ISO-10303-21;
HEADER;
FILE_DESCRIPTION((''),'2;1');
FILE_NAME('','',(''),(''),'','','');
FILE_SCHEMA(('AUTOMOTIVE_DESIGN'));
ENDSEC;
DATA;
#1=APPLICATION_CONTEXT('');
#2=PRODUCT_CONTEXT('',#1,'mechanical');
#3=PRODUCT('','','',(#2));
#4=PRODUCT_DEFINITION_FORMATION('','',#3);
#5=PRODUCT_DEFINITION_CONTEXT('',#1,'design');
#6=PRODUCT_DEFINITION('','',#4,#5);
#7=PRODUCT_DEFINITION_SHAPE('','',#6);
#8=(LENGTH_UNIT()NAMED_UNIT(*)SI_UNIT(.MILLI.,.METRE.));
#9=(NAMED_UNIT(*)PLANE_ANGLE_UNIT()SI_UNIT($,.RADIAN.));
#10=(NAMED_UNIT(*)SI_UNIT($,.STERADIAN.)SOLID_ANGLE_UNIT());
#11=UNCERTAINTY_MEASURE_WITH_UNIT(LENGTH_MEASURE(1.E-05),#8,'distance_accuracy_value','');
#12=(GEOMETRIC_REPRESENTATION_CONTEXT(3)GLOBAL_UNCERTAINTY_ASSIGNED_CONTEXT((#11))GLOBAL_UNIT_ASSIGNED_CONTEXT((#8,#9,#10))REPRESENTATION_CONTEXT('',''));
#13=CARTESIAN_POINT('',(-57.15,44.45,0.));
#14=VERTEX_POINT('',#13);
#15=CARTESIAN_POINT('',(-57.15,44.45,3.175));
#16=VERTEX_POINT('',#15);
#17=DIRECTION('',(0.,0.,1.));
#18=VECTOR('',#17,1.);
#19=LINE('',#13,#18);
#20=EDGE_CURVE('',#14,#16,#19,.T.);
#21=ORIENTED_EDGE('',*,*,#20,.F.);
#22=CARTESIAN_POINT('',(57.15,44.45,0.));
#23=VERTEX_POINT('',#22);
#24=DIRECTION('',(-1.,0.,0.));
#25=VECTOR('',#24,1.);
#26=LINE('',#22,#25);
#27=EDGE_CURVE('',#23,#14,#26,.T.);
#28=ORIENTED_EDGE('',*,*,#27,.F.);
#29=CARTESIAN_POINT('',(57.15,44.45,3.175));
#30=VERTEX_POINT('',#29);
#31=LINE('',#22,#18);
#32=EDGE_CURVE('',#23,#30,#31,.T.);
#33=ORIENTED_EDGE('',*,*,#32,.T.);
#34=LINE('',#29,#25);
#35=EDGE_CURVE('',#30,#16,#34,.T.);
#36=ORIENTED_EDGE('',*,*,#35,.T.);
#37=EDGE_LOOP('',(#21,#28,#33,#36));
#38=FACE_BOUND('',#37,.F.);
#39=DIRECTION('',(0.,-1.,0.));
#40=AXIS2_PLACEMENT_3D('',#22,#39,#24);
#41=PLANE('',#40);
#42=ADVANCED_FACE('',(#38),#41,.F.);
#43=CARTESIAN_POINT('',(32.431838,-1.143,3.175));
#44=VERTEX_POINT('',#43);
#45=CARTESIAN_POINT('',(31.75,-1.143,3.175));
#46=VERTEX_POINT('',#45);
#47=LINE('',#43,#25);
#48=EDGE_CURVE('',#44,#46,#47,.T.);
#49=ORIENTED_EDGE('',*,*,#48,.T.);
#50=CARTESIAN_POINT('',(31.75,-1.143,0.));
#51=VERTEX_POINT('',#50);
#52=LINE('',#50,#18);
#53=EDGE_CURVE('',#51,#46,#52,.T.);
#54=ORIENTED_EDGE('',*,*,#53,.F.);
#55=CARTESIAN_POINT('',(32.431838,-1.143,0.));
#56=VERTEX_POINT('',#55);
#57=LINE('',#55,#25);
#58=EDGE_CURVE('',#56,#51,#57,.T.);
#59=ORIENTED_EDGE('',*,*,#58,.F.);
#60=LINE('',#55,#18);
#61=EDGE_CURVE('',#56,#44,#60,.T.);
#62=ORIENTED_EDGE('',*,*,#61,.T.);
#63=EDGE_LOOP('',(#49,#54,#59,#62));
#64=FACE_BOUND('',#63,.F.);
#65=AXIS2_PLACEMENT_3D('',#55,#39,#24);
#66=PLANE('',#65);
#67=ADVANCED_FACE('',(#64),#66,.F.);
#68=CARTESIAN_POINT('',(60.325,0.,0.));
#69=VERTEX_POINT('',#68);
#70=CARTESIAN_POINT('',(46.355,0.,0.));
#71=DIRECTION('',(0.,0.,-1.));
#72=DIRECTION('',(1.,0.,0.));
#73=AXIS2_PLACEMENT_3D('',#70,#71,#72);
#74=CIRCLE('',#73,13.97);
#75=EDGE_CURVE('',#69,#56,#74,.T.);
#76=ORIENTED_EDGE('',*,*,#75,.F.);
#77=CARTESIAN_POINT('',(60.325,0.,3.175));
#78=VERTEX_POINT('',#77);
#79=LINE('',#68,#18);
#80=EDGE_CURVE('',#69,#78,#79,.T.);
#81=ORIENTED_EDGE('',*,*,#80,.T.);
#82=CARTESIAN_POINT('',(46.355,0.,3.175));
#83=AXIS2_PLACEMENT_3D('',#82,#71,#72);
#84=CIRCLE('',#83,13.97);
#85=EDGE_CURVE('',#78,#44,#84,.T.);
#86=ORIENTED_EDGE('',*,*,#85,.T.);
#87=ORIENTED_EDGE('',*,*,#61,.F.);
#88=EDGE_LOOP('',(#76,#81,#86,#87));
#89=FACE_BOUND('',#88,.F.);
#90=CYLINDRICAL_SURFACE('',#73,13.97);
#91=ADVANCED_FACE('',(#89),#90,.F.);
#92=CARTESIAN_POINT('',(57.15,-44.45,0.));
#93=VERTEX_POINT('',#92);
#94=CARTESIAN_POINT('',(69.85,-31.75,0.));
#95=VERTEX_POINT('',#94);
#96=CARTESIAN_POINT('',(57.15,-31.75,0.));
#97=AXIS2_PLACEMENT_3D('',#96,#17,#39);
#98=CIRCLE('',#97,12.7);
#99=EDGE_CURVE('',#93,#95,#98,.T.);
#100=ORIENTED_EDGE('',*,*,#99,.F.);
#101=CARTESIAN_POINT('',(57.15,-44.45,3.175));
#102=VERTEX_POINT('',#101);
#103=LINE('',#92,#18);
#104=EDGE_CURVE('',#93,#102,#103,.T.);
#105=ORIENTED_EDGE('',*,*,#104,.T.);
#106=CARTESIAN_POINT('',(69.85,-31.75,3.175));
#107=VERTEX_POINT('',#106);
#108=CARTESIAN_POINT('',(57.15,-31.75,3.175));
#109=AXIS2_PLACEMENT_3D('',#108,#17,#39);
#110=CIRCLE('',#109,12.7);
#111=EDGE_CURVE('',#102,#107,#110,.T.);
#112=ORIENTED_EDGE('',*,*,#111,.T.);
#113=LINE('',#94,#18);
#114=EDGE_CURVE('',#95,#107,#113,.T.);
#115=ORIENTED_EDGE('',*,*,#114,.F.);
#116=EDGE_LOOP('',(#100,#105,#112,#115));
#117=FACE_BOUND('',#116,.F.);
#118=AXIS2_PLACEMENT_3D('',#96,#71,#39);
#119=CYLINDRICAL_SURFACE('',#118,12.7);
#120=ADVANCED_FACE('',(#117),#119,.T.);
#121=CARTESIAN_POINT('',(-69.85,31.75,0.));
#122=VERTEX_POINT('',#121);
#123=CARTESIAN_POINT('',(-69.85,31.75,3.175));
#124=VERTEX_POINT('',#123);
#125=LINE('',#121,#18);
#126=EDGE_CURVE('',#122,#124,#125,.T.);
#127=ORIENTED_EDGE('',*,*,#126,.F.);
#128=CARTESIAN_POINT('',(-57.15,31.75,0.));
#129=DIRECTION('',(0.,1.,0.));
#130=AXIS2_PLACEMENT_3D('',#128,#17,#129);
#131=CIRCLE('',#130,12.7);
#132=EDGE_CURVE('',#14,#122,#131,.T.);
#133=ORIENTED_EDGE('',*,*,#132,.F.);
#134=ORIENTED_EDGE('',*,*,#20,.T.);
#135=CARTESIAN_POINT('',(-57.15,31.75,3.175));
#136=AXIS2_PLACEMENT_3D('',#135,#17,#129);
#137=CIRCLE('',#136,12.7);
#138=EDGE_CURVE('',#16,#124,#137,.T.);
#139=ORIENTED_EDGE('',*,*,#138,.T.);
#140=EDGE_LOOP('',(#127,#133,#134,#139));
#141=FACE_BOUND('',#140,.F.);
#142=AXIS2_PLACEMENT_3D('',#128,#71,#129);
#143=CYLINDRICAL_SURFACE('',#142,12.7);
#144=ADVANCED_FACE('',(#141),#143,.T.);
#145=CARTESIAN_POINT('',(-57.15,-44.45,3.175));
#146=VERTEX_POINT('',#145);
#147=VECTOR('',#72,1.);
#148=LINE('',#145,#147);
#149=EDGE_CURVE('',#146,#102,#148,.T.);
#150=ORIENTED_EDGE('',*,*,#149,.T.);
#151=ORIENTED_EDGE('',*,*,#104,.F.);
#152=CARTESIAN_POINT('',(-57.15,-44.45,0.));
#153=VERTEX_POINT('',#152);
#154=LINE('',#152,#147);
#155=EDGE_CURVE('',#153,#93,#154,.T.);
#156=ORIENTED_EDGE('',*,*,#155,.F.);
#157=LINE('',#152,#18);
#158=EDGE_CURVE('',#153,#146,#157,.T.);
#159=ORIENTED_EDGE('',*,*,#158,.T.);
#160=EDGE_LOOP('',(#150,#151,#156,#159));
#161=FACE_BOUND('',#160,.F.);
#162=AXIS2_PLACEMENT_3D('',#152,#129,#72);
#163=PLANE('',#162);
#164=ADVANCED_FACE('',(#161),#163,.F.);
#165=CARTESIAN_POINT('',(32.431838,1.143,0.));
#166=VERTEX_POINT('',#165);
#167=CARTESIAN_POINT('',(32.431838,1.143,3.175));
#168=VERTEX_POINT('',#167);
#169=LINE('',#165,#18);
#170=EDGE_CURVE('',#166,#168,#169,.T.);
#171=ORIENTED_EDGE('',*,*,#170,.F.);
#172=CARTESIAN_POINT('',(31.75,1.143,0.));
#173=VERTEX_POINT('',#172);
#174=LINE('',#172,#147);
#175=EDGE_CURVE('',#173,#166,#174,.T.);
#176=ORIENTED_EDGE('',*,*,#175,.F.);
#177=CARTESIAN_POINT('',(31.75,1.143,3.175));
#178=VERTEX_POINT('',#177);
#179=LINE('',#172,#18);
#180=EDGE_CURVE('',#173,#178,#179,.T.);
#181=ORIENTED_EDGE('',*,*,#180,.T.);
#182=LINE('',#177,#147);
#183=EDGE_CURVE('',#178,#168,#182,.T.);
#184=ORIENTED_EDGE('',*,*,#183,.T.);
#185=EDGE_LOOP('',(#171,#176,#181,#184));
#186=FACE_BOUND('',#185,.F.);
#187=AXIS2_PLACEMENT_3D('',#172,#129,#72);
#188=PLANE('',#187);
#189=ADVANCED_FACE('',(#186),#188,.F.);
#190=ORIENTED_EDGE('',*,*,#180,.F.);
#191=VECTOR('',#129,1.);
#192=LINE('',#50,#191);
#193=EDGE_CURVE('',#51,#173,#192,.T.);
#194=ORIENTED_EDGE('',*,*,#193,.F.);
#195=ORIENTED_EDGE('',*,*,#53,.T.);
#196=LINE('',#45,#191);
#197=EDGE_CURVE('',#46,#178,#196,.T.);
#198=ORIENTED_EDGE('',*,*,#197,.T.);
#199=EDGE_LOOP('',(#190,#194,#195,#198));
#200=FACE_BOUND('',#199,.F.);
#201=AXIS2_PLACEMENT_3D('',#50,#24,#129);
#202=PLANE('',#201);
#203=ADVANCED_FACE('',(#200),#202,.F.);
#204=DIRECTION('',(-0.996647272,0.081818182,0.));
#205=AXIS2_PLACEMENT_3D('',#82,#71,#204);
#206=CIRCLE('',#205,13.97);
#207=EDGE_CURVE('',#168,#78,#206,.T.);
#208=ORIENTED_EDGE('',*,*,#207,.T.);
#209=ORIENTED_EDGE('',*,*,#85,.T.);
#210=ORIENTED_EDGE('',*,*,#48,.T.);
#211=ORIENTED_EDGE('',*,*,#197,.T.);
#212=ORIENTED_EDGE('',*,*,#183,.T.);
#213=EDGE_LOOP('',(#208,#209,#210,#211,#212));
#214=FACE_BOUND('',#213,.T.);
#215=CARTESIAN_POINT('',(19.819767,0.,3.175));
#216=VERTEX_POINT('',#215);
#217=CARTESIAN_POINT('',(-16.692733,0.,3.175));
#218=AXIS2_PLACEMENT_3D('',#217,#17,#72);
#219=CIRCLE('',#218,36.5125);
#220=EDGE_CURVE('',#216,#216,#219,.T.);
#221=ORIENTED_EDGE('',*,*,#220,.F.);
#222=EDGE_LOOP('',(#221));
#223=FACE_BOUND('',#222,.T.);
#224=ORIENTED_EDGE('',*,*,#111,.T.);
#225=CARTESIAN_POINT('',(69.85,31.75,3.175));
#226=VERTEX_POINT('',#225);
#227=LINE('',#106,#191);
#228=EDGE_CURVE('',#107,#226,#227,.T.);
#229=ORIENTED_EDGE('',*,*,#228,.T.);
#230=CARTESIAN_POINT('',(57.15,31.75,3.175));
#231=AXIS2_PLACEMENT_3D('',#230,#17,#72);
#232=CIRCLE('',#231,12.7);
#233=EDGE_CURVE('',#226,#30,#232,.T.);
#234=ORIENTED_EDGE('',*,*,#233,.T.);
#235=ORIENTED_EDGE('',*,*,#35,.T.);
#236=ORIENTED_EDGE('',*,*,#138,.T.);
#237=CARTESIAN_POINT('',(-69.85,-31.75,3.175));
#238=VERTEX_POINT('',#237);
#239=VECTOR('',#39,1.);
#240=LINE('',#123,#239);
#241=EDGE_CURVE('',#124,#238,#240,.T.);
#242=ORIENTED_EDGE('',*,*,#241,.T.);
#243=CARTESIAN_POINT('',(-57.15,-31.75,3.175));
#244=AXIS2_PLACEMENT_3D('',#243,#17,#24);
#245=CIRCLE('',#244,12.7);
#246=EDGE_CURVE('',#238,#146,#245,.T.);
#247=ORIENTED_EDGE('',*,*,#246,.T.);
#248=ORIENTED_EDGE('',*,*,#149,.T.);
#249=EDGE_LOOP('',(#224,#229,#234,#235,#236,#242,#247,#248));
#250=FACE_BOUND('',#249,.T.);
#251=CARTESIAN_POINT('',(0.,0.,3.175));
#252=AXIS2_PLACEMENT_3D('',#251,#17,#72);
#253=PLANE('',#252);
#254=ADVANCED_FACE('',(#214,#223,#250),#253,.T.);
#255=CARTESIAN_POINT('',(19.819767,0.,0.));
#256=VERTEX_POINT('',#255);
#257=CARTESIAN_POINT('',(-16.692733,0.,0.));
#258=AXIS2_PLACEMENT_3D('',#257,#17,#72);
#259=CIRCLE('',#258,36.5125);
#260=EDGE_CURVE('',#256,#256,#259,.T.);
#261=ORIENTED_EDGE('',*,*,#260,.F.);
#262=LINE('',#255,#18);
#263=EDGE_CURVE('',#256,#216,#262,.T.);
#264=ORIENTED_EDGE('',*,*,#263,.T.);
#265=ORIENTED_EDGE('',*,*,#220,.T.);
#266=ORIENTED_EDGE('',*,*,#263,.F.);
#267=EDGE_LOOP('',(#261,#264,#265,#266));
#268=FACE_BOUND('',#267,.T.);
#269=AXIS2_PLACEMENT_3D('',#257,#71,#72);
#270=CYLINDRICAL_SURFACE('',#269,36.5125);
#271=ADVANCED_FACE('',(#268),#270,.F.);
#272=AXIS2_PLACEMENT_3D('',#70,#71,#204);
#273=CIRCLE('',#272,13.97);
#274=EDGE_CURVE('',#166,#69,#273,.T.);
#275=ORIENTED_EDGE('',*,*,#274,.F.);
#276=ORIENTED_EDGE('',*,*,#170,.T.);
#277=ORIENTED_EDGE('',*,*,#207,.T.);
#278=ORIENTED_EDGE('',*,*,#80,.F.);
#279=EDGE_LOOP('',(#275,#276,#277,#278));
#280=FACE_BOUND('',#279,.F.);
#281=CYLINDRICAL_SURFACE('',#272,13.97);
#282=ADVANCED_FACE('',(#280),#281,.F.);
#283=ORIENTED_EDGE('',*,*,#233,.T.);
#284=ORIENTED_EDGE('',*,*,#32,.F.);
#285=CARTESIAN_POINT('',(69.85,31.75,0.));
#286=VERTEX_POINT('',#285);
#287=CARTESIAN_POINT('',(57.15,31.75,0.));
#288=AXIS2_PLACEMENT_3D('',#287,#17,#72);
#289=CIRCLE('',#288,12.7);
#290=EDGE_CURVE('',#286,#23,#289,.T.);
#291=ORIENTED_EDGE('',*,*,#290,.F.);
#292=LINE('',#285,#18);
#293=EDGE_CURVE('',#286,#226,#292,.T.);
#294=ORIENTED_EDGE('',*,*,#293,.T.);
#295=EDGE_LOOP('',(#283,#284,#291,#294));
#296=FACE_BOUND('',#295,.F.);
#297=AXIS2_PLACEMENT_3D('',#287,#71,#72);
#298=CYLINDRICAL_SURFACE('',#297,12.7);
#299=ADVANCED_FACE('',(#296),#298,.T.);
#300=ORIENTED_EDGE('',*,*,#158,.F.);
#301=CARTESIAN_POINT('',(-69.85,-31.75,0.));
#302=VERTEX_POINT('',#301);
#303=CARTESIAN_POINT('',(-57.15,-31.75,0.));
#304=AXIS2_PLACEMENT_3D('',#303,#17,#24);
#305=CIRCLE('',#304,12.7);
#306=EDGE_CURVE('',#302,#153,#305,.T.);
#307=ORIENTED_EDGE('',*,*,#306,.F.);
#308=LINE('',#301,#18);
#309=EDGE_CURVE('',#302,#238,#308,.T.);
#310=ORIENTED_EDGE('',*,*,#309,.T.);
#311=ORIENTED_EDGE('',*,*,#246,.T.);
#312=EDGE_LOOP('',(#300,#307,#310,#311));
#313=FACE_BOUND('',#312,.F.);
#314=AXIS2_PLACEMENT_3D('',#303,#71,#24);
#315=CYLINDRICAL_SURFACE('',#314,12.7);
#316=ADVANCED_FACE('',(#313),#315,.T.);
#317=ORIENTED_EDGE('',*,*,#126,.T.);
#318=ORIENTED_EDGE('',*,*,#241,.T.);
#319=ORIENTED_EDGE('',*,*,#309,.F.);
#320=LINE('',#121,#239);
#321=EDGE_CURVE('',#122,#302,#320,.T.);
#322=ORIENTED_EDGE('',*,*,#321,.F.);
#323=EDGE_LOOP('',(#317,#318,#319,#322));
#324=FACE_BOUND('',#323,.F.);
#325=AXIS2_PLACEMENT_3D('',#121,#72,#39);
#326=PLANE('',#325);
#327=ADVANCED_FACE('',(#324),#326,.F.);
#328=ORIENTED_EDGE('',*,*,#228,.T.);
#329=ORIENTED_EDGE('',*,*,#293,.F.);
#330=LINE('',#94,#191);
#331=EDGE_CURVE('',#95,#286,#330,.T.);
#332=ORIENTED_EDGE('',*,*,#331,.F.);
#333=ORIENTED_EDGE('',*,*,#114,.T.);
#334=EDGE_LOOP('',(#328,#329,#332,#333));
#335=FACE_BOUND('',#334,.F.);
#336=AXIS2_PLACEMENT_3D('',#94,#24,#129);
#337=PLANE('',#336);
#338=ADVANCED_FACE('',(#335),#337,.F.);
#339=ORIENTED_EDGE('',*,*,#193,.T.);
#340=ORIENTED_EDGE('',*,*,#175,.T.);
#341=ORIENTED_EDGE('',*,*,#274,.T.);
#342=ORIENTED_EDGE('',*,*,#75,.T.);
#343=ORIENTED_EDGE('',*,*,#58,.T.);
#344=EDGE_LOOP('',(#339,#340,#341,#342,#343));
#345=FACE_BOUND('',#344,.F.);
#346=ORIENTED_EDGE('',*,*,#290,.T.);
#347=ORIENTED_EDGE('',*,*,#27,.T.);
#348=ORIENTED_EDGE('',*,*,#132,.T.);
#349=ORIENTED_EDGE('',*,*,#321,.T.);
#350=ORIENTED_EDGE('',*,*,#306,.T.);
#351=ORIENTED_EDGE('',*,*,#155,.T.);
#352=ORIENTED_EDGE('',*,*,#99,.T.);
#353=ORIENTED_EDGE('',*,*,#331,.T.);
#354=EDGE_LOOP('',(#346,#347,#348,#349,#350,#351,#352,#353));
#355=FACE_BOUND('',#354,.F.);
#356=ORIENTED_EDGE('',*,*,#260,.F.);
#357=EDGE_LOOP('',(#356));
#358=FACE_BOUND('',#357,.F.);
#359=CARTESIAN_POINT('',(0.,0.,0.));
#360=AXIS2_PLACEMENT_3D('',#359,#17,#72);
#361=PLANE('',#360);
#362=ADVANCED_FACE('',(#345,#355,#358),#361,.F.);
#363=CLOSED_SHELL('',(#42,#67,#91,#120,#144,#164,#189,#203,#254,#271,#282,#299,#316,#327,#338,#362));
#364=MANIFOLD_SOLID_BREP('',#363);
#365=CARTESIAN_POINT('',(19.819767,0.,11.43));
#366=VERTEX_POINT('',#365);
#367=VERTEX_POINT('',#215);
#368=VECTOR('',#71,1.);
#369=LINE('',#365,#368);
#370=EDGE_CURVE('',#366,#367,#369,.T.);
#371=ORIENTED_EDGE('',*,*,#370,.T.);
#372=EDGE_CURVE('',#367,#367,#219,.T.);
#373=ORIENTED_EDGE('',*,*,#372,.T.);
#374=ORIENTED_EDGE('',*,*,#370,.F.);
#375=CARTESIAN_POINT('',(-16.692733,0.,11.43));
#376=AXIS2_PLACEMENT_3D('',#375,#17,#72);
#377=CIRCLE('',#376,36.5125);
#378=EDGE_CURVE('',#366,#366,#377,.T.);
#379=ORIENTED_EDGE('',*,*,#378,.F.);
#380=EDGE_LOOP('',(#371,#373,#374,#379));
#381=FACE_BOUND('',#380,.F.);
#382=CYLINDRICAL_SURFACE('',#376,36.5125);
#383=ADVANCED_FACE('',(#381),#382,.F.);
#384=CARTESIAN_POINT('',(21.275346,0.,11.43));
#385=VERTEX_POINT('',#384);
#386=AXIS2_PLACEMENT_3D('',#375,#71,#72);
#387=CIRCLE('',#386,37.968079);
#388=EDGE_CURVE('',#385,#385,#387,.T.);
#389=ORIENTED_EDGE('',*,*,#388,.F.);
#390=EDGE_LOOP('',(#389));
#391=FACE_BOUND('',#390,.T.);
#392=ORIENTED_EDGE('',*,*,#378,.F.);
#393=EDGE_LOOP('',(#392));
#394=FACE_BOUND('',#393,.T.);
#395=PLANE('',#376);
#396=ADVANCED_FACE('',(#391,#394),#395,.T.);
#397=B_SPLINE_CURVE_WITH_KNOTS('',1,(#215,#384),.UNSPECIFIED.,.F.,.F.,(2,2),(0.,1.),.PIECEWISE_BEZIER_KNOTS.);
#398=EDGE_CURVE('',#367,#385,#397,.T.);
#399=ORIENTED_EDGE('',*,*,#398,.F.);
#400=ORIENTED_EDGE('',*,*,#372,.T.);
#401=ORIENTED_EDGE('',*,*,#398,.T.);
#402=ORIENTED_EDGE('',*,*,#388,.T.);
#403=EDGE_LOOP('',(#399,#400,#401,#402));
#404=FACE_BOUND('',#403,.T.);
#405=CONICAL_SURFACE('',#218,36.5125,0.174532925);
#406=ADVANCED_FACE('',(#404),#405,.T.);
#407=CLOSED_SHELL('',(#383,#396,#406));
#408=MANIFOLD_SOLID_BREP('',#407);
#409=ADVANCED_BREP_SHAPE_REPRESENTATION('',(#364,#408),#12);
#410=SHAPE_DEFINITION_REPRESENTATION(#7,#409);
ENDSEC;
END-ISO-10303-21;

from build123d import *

# Parameters (mm, degrees)
F0_R     = 36.5125
F1_DEPTH = 3.175
F2_R     = 36.5125
F3_DEPTH = 8.255
F3_TAPER = -10
F4_R     = 36.5125
F5_DEPTH = 8.255


with BuildPart() as f1:
    # F0 (on Top) → F1 (new body)
    with BuildSketch(Plane.XY):
        with BuildLine():
            ThreePointArc((69.85, 31.75), (66.1302561211, 40.7302561211), (57.15, 44.45))
            Line((57.15, 44.45), (-57.15, 44.45))
            ThreePointArc((-57.15, 44.45), (-66.1302561211, 40.7302561211), (-69.85, 31.75))
            Line((-69.85, 31.75), (-69.85, -31.75))
            ThreePointArc((-69.85, -31.75), (-66.1302561211, -40.7302561211), (-57.15, -44.45))
            Line((-57.15, -44.45), (57.15, -44.45))
            ThreePointArc((57.15, -44.45), (66.1302561211, -40.7302561211), (69.85, -31.75))
            Line((69.85, -31.75), (69.85, 0))
            Line((69.85, 0), (69.85, 31.75))
        make_face()
        with BuildLine():
            ThreePointArc((32.4318376078, 1.143), (46.9269796241, 13.9582856866), (60.325, 0))
            ThreePointArc((60.325, 0), (46.9269796241, -13.9582856866), (32.4318376078, -1.143))
            Line((32.4318376078, -1.143), (31.75, -1.143))
            Line((31.75, -1.143), (31.75, 1.143))
            Line((31.75, 1.143), (32.4318376078, 1.143))
        make_face(mode=Mode.SUBTRACT)
        with Locations((-16.6927333921, 0)):
            Circle(F0_R, mode=Mode.SUBTRACT)
    extrude(amount=F1_DEPTH)


with BuildPart() as f3:
    # F2 (on face) → F3 (new body)
    with BuildSketch(Plane.XY.offset(3.175)):
        with Locations((-16.6927333921, 0)):
            Circle(F2_R)
    extrude(amount=F3_DEPTH, taper=F3_TAPER)

    # F4 (on face) → F5 (cut)
    with BuildSketch(Plane.XY.offset(11.43)):
        with Locations((-16.6927333921, 0)):
            Circle(F4_R)
    extrude(amount=-F5_DEPTH, mode=Mode.SUBTRACT)


solid = Compound([f1.part, f3.part])
